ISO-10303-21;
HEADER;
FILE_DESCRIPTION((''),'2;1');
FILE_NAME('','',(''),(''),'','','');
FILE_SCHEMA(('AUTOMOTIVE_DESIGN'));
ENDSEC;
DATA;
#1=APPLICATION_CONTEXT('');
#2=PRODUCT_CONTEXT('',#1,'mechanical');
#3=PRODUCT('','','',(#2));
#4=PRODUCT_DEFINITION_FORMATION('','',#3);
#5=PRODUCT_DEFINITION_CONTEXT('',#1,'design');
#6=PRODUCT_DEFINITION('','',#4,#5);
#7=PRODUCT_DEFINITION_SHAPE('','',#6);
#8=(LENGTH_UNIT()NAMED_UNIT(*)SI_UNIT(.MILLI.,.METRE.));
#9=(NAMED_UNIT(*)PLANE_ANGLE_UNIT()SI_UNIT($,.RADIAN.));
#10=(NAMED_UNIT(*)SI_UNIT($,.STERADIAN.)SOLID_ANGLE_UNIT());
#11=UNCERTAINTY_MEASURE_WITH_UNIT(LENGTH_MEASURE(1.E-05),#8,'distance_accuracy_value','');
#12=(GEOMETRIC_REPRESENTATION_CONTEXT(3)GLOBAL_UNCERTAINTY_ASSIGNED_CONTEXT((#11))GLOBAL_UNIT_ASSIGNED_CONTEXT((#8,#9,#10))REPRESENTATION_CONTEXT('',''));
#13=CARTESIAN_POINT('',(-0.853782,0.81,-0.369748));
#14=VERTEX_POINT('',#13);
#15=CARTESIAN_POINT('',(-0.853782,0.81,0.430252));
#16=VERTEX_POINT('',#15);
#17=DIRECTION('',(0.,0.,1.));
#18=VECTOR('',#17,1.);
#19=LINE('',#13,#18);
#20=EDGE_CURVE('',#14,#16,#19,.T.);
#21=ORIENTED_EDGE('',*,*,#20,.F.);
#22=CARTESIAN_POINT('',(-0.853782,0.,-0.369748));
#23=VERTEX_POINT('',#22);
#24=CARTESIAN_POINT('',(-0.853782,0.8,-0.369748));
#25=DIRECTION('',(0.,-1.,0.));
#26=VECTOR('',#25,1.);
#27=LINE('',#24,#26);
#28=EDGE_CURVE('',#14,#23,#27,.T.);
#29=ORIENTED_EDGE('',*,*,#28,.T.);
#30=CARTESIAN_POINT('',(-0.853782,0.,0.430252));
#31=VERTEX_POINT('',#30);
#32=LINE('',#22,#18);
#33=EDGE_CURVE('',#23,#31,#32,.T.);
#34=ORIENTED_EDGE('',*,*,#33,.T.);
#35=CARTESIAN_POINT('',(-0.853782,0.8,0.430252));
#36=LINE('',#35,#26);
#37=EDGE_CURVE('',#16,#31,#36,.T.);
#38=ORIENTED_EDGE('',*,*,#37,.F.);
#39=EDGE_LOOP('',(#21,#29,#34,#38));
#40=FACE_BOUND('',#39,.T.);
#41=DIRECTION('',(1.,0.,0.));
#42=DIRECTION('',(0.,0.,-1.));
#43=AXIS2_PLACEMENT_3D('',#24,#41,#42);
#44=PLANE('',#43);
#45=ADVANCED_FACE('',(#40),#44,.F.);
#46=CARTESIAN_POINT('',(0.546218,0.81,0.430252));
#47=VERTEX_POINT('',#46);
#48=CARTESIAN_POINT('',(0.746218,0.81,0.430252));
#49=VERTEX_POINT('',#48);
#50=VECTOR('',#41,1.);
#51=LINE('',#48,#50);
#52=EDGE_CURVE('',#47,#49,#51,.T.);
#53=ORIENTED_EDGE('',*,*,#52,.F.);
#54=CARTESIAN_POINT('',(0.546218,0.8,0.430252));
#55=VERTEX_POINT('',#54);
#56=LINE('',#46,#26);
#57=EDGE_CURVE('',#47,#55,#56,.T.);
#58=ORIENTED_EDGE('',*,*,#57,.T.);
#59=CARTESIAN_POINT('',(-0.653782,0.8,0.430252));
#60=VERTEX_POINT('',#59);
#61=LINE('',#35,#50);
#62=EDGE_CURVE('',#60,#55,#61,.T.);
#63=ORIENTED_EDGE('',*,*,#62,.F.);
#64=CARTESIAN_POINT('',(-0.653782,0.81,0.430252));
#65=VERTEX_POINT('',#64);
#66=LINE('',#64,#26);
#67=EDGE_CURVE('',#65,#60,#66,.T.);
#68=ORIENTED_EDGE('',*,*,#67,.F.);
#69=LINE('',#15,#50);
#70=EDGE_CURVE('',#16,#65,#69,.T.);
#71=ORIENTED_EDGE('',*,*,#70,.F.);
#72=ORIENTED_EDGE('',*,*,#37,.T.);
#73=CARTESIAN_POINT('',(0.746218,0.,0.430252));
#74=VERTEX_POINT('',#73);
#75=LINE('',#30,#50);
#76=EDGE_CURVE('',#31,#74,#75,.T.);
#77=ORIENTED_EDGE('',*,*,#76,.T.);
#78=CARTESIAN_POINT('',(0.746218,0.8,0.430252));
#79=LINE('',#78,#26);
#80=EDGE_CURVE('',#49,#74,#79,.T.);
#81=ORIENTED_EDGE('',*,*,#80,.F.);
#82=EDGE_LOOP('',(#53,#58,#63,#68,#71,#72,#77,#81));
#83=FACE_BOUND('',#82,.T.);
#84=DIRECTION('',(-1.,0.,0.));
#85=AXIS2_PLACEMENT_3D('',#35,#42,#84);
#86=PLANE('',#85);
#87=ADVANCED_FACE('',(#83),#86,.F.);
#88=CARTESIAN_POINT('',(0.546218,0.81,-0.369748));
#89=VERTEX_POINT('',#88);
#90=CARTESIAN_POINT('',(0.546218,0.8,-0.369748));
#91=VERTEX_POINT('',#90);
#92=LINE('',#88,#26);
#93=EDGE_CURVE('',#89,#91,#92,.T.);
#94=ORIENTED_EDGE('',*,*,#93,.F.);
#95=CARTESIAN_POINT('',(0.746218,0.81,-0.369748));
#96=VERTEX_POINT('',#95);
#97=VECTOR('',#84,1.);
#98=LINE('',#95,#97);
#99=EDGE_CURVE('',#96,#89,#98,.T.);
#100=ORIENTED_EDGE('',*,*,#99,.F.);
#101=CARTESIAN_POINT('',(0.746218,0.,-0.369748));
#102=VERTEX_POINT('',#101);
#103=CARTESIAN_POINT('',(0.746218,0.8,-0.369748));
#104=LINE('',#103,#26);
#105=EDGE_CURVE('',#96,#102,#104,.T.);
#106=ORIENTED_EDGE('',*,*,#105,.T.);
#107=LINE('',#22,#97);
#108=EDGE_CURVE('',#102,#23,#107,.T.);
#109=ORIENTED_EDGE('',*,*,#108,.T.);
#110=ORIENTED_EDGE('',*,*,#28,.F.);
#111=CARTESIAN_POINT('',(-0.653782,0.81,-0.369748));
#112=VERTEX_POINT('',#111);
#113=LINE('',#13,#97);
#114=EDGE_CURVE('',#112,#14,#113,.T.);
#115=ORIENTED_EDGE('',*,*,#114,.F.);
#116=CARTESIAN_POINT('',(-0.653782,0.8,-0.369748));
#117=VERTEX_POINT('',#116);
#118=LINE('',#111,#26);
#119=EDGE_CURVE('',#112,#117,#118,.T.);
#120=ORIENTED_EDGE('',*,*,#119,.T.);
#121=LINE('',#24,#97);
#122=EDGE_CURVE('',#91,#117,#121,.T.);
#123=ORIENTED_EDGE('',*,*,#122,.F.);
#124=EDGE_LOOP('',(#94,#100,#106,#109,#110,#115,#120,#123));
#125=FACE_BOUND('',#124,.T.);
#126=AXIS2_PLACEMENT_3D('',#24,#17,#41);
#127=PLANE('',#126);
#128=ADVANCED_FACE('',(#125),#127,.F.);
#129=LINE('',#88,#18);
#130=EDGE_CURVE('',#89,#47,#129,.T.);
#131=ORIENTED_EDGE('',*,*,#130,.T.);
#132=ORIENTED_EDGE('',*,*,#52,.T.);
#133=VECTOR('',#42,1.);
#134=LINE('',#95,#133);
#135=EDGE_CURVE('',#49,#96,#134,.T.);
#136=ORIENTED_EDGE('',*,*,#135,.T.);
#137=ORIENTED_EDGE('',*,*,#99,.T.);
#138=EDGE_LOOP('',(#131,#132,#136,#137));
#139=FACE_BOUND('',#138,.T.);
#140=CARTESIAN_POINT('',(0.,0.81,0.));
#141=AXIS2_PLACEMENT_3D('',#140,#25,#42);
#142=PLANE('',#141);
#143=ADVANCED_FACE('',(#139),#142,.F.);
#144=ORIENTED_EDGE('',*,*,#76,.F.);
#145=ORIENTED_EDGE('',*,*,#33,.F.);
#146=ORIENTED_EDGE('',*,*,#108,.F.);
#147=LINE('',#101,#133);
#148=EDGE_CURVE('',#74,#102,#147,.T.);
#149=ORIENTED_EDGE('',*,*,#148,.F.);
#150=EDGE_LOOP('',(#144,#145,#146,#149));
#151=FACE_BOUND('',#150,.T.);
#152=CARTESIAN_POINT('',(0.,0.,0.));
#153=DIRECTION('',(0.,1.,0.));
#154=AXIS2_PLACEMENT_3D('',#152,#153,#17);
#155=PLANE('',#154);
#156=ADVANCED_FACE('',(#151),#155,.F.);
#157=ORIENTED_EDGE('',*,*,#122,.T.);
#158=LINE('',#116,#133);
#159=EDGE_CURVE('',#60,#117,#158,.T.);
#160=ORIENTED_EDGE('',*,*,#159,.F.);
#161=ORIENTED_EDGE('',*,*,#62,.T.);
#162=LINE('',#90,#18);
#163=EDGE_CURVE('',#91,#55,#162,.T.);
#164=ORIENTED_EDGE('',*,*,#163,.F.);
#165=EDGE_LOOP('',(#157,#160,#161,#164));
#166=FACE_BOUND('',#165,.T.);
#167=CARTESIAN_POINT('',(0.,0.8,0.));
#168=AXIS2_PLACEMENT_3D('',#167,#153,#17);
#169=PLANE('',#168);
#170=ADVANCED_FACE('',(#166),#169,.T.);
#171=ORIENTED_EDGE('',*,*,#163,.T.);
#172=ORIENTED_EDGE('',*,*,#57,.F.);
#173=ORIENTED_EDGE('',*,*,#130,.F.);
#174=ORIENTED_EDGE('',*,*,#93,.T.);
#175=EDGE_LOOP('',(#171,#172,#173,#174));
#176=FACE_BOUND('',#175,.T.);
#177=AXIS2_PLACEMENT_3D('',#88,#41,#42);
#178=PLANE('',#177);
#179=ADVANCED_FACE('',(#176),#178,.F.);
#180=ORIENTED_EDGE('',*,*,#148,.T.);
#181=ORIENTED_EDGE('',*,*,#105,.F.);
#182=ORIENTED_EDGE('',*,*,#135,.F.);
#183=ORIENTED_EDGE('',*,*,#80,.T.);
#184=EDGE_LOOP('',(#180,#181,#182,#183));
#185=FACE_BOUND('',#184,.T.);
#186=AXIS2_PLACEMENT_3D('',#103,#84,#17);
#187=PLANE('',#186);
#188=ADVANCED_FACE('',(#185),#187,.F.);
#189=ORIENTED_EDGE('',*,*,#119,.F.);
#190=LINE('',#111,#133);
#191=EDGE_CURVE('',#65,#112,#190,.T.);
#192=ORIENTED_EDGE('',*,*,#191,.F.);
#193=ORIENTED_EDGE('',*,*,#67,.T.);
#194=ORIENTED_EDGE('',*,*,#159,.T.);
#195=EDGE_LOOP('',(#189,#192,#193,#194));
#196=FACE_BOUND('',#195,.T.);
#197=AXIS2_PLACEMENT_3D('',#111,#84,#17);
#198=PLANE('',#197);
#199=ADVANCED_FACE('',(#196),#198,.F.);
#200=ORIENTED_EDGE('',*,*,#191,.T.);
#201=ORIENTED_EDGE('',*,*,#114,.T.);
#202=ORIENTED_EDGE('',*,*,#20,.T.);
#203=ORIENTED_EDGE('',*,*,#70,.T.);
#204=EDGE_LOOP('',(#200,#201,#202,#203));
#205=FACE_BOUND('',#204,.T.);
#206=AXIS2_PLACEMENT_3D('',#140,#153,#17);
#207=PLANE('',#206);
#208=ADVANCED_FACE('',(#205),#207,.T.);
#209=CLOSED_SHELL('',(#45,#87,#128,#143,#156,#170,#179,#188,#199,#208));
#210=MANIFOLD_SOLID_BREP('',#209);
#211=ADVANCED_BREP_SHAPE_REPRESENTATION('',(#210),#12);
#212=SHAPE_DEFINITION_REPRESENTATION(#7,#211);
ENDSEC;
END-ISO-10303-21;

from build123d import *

# Parameters (mm, degrees)
SKETCH_1_W      = 1.6
SKETCH_1_H      = 0.8
EXTRUDE_1_DEPTH = 0.8
SKETCH_2_W      = 0.2
SKETCH_2_H      = 0.8
EXTRUDE_2_DEPTH = 0.01


with BuildPart() as part:
    # Эскиз1 → Бобышка-Вытянуть1 (new body)
    with BuildSketch(Plane(origin=(0, 0, 0), x_dir=(1, 0, 0), z_dir=(0, 1, 0))):
        with Locations((-0.053781513, -0.030252101)):
            Rectangle(SKETCH_1_W, SKETCH_1_H)
    extrude(amount=EXTRUDE_1_DEPTH)

    # Эскиз2 → Бобышка-Вытянуть2 (add)
    with BuildSketch(Plane(origin=(0, 0.8, 0), x_dir=(1, 0, 0), z_dir=(0, 1, 0))):
        with Locations((-0.753781513, -0.030252101)):
            Rectangle(SKETCH_2_W, SKETCH_2_H)
        with Locations((0.646218487, -0.030252101)):
            Rectangle(SKETCH_2_W, SKETCH_2_H)
    extrude(amount=EXTRUDE_2_DEPTH)


solid = part.part
